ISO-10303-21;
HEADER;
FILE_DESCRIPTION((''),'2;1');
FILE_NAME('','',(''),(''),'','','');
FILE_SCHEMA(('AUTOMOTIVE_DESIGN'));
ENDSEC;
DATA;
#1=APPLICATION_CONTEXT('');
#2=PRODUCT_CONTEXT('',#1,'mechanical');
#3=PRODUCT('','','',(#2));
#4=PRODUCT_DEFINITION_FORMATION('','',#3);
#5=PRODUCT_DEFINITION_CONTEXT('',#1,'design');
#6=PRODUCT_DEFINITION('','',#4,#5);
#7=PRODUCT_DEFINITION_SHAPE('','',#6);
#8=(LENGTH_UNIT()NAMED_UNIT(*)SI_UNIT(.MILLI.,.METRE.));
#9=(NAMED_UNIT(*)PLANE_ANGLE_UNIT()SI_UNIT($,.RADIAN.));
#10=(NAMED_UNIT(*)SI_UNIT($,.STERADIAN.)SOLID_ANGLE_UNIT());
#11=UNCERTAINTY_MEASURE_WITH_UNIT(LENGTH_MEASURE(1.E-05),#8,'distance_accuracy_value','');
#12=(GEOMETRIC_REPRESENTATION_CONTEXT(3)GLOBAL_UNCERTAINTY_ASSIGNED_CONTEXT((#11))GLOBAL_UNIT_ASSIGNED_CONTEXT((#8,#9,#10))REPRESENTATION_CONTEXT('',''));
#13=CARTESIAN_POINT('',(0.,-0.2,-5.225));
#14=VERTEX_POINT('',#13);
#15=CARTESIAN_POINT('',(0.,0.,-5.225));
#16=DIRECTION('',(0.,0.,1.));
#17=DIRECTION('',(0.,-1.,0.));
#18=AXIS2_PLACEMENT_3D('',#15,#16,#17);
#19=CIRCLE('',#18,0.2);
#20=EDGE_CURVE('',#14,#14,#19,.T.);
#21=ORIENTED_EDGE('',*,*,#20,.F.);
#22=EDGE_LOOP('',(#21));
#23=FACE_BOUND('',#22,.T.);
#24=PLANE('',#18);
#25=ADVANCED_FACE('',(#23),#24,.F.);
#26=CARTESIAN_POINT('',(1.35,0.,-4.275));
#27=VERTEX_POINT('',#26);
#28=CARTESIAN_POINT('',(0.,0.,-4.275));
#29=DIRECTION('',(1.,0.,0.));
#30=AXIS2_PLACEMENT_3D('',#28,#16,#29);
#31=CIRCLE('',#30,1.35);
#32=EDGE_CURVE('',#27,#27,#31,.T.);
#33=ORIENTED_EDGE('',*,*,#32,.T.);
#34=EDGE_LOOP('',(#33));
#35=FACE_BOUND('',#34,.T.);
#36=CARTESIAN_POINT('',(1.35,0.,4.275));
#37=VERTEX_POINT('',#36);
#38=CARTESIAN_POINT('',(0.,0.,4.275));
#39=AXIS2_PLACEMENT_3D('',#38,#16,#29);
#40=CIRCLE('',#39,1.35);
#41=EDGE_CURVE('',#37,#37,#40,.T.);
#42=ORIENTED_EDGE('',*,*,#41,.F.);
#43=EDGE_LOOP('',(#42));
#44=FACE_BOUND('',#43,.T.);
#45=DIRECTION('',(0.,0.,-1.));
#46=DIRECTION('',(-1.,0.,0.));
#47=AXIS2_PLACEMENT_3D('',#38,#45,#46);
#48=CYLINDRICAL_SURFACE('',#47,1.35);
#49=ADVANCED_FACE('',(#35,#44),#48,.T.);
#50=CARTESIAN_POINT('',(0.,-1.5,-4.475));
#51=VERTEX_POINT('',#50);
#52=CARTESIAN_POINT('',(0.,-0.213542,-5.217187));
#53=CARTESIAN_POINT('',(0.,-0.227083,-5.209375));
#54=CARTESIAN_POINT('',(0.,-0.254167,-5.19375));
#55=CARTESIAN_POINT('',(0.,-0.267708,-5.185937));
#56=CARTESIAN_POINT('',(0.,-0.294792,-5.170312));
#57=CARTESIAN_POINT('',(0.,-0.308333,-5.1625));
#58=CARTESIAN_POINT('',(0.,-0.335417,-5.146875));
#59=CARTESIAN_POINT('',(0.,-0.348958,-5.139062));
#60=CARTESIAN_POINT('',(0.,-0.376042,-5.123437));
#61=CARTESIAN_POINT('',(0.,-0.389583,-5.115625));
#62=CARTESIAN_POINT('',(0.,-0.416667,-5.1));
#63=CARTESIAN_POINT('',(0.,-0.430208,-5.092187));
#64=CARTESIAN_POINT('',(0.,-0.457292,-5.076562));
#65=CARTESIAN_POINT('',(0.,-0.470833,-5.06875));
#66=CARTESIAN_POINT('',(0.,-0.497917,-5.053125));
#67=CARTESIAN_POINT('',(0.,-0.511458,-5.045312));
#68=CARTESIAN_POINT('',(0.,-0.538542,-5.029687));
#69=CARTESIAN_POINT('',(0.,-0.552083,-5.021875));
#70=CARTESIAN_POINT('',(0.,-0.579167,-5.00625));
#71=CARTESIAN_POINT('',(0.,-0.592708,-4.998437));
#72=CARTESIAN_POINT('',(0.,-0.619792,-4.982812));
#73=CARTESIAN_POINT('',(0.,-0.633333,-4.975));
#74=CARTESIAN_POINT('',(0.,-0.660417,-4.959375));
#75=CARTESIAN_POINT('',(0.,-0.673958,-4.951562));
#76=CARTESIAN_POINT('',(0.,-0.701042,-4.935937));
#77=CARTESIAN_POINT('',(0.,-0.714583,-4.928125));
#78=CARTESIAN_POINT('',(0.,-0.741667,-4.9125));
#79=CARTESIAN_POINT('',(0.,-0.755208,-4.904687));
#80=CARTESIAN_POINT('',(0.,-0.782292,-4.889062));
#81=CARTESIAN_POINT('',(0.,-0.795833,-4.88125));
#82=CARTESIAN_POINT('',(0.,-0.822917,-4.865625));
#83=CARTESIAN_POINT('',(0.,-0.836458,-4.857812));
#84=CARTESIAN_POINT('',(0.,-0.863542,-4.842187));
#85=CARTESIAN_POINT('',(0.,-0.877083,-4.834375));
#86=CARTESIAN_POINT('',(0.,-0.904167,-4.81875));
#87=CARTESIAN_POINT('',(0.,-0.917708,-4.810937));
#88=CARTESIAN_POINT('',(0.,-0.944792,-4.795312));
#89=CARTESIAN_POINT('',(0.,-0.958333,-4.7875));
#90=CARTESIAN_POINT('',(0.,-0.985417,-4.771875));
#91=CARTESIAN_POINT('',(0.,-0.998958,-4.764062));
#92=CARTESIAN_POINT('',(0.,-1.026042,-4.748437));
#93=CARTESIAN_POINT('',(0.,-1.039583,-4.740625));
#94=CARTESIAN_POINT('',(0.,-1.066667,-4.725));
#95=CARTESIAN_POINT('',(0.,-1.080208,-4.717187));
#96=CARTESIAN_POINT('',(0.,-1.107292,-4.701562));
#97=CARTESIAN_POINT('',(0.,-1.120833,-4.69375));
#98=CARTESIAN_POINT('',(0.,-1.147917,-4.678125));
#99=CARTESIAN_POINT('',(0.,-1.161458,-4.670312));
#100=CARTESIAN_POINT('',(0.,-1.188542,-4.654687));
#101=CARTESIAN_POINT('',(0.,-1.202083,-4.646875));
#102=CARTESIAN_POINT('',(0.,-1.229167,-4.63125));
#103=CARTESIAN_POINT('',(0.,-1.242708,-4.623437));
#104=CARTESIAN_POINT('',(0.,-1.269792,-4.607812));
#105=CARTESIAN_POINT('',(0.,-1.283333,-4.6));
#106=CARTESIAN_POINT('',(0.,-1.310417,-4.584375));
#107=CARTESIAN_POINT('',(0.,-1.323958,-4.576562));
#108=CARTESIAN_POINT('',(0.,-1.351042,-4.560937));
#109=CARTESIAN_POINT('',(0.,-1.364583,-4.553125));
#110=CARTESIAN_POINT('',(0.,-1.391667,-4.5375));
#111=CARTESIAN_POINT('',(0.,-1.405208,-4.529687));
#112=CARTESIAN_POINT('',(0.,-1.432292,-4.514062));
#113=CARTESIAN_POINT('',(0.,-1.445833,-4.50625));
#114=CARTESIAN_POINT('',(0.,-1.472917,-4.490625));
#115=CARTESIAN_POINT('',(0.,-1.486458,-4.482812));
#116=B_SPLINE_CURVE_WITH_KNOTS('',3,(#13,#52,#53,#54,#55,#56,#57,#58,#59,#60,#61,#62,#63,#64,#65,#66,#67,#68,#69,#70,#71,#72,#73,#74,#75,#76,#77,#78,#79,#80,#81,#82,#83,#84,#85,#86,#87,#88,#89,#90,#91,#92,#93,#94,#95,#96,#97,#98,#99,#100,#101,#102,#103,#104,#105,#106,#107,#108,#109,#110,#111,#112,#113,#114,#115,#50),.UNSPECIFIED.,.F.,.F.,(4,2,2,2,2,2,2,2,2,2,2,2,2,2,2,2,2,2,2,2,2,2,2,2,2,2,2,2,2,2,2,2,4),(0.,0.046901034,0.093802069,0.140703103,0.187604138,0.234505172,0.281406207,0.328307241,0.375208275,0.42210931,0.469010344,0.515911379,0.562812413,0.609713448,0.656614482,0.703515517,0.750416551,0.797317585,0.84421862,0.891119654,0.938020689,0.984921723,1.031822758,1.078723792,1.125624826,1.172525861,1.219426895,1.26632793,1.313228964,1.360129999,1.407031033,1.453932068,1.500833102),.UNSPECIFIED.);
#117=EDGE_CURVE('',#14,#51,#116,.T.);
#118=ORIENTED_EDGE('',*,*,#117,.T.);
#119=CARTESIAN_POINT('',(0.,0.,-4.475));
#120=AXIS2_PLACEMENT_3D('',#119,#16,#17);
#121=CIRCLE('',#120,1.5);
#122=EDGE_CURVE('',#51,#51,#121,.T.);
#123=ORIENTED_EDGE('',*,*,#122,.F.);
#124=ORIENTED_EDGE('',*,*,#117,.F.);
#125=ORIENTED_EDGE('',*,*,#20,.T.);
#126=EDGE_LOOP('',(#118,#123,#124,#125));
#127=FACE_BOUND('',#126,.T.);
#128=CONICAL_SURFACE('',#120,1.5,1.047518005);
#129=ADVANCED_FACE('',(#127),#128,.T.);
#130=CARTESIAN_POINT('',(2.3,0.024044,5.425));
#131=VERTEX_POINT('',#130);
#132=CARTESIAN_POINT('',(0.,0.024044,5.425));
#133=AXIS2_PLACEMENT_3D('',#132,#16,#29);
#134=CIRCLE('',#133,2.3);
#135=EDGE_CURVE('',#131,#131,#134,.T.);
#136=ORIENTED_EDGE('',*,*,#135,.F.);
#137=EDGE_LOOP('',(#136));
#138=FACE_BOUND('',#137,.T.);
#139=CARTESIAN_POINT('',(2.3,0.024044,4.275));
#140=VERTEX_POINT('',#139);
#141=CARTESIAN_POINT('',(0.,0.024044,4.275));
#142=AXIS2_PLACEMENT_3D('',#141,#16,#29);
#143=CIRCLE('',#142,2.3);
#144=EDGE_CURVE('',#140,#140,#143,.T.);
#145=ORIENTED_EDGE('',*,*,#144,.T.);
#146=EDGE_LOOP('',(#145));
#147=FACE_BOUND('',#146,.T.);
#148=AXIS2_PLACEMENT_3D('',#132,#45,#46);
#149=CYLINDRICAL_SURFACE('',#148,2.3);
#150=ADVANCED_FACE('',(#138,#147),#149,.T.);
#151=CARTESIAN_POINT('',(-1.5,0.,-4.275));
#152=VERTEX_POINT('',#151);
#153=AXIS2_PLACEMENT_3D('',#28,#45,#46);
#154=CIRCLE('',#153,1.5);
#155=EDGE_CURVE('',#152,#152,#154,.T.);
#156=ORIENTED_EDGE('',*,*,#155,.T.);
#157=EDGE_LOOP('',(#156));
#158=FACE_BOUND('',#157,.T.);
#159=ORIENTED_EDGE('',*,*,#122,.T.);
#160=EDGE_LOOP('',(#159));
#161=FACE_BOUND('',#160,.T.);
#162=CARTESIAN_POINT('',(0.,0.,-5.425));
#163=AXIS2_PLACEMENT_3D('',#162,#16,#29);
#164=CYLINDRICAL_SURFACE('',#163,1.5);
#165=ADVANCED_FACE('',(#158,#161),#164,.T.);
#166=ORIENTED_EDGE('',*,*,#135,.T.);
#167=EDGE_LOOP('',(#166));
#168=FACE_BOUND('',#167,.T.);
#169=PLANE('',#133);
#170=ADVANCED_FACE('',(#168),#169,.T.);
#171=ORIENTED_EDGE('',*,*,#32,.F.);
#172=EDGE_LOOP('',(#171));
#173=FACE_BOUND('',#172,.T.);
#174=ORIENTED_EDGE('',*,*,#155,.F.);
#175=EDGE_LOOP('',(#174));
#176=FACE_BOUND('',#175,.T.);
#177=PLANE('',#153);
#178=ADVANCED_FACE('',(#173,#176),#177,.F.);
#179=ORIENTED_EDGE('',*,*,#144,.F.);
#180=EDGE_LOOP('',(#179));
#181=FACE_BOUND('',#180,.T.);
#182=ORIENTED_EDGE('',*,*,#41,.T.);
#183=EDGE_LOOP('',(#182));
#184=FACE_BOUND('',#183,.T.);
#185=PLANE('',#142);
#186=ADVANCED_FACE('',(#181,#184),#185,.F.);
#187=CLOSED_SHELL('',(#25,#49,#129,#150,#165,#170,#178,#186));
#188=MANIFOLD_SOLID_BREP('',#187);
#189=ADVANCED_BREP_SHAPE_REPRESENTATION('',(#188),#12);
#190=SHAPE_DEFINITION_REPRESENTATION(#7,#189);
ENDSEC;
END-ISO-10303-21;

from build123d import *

# Parameters (mm, degrees)
SKETCH1_R           = 1.35
BOSS_EXTRUDE1_DEPTH = 4.275
SKETCH2_R           = 2.3
BOSS_EXTRUDE2_DEPTH = 1.15
SKETCH3_R           = 1.5
BOSS_EXTRUDE3_DEPTH = 1.15


with BuildPart() as part:
    # Sketch1 → Boss-Extrude1 (new, symmetric)
    with BuildSketch(Plane.XY):
        Circle(SKETCH1_R)
    extrude(amount=BOSS_EXTRUDE1_DEPTH, both=True)

    # Sketch2 → Boss-Extrude2 (add)
    with BuildSketch(Plane.XY.offset(4.275)):
        with Locations((0, 0.024044425)):
            Circle(SKETCH2_R)
    extrude(amount=BOSS_EXTRUDE2_DEPTH)

    # Sketch3 → Boss-Extrude3 (add)
    with BuildSketch(Plane(origin=(0, 0, -4.275), x_dir=(-1, 0, 0), z_dir=(0, 0, -1))):
        Circle(SKETCH3_R)
    extrude(amount=BOSS_EXTRUDE3_DEPTH)

    # Sketch4 → Cut-Revolve1 (revolve, cut)
    with BuildSketch(Plane(origin=(0, 0, 0), x_dir=(0, 0, -1), z_dir=(1, 0, 0)), mode=Mode.PRIVATE) as cut_revolve1_sk:
        Polygon((5.225, 0.2), (5.225, 0), (5.425, 0), (5.425, 1.5), (4.475, 1.5), align=None)
    revolve(cut_revolve1_sk.sketch.rotate(Axis((0, 0, -4.275), (0, 0, -1)), 180), axis=Axis((0, 0, -4.275), (0, 0, -1)), mode=Mode.SUBTRACT)


solid = part.part
